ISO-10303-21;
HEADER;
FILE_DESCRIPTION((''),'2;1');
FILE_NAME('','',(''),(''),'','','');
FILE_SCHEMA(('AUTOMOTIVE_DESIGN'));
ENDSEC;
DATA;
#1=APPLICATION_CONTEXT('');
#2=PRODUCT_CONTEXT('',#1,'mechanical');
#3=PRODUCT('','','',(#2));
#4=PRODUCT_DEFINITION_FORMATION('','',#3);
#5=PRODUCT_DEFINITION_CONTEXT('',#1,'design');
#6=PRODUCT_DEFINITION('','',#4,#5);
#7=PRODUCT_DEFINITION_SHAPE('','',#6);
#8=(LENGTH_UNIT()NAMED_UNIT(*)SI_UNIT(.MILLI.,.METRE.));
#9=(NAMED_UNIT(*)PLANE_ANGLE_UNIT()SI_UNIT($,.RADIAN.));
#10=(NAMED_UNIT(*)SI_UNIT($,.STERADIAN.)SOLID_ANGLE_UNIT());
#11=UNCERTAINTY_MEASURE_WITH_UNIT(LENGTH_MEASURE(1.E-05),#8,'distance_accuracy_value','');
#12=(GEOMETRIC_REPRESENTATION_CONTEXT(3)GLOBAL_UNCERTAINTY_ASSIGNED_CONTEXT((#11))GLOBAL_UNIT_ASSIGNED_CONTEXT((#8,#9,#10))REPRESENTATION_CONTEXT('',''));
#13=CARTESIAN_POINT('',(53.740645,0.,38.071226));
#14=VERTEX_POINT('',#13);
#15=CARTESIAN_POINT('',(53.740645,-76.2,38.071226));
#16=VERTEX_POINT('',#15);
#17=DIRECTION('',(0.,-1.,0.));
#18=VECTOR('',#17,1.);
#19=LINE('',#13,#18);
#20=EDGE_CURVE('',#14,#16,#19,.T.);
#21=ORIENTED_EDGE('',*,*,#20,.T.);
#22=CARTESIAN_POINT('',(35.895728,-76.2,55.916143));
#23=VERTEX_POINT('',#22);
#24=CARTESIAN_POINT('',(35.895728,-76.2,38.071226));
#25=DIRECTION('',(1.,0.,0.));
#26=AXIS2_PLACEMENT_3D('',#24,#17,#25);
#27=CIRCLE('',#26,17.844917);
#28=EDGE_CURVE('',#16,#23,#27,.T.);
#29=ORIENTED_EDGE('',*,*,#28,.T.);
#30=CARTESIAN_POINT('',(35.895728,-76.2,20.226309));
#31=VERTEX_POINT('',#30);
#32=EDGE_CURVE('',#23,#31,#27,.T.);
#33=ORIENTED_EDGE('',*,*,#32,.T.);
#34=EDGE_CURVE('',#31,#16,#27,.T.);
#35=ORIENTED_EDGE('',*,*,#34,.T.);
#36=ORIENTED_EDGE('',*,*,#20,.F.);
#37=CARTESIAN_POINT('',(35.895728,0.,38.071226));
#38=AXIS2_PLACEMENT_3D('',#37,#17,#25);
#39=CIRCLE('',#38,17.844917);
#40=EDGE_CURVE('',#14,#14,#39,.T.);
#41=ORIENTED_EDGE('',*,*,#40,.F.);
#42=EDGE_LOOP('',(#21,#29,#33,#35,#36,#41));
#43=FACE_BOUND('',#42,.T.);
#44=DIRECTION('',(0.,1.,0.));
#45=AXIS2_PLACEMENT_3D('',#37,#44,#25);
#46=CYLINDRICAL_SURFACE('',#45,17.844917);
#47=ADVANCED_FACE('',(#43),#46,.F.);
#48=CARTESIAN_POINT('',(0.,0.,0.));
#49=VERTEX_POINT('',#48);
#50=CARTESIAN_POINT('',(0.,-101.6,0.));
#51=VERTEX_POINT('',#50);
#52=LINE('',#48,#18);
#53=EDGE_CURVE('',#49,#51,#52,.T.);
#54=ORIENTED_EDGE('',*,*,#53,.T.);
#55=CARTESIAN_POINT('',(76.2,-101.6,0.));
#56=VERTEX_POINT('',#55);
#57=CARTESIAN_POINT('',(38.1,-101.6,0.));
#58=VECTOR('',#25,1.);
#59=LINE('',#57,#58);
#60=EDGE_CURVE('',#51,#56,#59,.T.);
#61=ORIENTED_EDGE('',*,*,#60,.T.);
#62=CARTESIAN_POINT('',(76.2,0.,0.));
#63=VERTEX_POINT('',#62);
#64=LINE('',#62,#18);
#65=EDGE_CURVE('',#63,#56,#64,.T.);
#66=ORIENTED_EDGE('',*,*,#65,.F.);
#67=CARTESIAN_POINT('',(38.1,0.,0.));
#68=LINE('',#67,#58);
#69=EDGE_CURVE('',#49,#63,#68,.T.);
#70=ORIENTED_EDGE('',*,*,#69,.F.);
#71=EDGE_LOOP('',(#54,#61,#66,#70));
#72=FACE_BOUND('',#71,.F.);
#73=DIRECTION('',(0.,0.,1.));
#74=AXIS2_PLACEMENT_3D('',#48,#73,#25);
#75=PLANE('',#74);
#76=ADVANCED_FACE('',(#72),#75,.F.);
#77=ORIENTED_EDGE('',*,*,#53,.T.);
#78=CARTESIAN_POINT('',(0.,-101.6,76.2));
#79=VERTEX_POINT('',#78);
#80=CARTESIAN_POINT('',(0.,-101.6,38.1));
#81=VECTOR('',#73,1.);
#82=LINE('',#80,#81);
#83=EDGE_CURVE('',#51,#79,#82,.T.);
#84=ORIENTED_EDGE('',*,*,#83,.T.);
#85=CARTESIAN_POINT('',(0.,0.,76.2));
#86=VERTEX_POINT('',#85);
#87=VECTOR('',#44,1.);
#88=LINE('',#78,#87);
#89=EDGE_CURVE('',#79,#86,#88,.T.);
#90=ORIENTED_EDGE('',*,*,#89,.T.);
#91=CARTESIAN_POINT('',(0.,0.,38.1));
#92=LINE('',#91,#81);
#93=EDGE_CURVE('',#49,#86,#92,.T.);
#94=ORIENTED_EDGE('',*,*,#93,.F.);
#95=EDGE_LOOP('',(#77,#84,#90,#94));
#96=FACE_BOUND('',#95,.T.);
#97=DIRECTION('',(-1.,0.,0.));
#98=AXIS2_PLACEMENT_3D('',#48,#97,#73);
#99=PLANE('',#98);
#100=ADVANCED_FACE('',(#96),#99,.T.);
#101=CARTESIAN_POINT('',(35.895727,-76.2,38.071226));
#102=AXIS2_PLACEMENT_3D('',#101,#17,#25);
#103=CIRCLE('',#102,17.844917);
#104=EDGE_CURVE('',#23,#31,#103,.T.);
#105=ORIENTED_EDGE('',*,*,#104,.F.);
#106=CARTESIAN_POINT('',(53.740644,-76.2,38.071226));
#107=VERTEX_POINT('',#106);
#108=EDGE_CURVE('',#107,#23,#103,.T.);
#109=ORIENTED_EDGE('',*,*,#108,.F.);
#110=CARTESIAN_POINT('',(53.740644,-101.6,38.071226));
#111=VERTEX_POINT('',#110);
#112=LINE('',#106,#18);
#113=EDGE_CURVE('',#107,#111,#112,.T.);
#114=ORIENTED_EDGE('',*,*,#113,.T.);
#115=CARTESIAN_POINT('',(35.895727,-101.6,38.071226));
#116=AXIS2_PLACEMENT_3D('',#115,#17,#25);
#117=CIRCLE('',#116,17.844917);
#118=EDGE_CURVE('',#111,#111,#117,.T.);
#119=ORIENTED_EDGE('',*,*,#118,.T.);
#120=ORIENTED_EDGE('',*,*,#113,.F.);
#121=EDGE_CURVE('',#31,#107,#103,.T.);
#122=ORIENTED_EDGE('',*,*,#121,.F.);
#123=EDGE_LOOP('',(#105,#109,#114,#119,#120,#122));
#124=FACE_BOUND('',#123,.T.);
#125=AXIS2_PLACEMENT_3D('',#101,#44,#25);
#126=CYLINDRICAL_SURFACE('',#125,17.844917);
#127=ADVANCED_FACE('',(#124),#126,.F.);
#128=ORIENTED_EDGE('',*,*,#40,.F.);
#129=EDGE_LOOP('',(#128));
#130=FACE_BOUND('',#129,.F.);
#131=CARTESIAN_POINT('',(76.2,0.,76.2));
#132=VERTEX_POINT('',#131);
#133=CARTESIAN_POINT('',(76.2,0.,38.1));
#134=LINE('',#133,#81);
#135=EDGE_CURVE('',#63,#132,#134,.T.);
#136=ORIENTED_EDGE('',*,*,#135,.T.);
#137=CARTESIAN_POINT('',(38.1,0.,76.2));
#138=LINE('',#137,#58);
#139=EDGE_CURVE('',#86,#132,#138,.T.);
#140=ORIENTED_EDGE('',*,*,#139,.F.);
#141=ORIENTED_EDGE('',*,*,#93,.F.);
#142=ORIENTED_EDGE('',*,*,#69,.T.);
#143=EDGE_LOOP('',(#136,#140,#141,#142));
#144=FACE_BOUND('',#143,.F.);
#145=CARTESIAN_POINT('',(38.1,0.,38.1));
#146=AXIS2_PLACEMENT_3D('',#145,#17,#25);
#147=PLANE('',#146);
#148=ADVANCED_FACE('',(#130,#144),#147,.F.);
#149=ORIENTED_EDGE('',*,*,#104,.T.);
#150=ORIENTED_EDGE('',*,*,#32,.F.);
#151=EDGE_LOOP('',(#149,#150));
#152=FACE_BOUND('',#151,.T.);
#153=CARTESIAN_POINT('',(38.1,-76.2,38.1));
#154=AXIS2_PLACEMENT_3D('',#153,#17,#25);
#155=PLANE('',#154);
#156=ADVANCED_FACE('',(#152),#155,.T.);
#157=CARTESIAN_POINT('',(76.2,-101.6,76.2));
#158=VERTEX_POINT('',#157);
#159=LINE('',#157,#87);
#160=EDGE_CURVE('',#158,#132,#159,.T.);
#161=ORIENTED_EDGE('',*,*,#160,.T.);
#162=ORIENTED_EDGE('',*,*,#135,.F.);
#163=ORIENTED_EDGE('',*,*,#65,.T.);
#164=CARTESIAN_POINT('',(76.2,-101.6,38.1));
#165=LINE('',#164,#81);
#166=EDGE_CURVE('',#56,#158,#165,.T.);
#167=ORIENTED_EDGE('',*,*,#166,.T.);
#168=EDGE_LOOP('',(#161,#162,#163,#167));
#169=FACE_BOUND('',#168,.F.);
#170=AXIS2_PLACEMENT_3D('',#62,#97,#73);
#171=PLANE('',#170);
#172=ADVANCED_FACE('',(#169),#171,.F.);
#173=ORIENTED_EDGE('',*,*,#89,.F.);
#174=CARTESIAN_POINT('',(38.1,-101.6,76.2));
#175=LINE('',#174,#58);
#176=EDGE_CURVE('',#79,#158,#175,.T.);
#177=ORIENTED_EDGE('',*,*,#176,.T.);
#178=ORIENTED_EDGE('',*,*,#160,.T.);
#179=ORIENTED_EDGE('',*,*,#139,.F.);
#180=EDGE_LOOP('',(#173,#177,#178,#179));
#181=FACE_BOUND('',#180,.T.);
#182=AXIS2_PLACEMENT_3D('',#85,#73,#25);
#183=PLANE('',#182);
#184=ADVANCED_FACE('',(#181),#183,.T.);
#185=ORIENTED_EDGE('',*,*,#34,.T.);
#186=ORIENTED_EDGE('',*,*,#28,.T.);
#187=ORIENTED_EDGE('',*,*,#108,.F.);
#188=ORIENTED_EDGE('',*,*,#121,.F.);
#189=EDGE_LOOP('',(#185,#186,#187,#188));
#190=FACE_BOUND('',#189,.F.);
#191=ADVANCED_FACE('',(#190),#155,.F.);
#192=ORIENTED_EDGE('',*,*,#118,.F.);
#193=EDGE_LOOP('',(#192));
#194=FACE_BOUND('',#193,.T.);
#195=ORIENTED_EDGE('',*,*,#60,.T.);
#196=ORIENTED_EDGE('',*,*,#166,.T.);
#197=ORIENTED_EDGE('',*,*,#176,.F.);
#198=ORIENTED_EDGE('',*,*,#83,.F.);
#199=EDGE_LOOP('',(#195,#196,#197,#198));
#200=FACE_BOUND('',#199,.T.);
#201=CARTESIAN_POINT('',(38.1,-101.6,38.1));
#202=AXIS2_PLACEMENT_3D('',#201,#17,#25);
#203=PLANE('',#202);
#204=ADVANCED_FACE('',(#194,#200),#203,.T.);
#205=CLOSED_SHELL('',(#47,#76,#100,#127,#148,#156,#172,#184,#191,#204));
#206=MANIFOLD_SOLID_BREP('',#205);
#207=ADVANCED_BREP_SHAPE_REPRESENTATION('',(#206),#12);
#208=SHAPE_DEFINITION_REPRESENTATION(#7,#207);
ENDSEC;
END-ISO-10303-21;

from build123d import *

# Parameters (mm, degrees)
F0_W      = 76.2
F0_H      = 76.2
F0_R      = 17.844917
F1_DEPTH  = 76.2
F1_FACE_W = 76.2
F1_FACE_H = 76.2
F1_FACE_R = 17.844917
F2_DEPTH  = 25.4


with BuildPart() as f1:
    # F0 (on Front) → F1 (new body)
    with BuildSketch(Plane.XZ):
        with Locations((38.1, 38.1)):
            Rectangle(F0_W, F0_H)
        with Locations((35.895728, 38.071226)):
            Circle(F0_R, mode=Mode.SUBTRACT)
    extrude(amount=F1_DEPTH)

    # F0 (on Front) + F1_face (on face) → F2 (join)
    with BuildSketch(Plane.XZ):
        with Locations((38.1, 38.1)):
            Rectangle(F0_W, F0_H)
        with Locations((35.895728, 38.071226)):
            Circle(F0_R, mode=Mode.SUBTRACT)
    with BuildSketch(Plane(origin=(38.558836, -76.2, 38.105989), x_dir=(1, 0, 0), z_dir=(0, -1, 0))):
        with Locations((-0.458836, -0.005989)):
            Rectangle(F1_FACE_W, F1_FACE_H)
        with Locations((-2.663109, -0.034763)):
            Circle(F1_FACE_R, mode=Mode.SUBTRACT)
    extrude(amount=F2_DEPTH)


solid = f1.part
